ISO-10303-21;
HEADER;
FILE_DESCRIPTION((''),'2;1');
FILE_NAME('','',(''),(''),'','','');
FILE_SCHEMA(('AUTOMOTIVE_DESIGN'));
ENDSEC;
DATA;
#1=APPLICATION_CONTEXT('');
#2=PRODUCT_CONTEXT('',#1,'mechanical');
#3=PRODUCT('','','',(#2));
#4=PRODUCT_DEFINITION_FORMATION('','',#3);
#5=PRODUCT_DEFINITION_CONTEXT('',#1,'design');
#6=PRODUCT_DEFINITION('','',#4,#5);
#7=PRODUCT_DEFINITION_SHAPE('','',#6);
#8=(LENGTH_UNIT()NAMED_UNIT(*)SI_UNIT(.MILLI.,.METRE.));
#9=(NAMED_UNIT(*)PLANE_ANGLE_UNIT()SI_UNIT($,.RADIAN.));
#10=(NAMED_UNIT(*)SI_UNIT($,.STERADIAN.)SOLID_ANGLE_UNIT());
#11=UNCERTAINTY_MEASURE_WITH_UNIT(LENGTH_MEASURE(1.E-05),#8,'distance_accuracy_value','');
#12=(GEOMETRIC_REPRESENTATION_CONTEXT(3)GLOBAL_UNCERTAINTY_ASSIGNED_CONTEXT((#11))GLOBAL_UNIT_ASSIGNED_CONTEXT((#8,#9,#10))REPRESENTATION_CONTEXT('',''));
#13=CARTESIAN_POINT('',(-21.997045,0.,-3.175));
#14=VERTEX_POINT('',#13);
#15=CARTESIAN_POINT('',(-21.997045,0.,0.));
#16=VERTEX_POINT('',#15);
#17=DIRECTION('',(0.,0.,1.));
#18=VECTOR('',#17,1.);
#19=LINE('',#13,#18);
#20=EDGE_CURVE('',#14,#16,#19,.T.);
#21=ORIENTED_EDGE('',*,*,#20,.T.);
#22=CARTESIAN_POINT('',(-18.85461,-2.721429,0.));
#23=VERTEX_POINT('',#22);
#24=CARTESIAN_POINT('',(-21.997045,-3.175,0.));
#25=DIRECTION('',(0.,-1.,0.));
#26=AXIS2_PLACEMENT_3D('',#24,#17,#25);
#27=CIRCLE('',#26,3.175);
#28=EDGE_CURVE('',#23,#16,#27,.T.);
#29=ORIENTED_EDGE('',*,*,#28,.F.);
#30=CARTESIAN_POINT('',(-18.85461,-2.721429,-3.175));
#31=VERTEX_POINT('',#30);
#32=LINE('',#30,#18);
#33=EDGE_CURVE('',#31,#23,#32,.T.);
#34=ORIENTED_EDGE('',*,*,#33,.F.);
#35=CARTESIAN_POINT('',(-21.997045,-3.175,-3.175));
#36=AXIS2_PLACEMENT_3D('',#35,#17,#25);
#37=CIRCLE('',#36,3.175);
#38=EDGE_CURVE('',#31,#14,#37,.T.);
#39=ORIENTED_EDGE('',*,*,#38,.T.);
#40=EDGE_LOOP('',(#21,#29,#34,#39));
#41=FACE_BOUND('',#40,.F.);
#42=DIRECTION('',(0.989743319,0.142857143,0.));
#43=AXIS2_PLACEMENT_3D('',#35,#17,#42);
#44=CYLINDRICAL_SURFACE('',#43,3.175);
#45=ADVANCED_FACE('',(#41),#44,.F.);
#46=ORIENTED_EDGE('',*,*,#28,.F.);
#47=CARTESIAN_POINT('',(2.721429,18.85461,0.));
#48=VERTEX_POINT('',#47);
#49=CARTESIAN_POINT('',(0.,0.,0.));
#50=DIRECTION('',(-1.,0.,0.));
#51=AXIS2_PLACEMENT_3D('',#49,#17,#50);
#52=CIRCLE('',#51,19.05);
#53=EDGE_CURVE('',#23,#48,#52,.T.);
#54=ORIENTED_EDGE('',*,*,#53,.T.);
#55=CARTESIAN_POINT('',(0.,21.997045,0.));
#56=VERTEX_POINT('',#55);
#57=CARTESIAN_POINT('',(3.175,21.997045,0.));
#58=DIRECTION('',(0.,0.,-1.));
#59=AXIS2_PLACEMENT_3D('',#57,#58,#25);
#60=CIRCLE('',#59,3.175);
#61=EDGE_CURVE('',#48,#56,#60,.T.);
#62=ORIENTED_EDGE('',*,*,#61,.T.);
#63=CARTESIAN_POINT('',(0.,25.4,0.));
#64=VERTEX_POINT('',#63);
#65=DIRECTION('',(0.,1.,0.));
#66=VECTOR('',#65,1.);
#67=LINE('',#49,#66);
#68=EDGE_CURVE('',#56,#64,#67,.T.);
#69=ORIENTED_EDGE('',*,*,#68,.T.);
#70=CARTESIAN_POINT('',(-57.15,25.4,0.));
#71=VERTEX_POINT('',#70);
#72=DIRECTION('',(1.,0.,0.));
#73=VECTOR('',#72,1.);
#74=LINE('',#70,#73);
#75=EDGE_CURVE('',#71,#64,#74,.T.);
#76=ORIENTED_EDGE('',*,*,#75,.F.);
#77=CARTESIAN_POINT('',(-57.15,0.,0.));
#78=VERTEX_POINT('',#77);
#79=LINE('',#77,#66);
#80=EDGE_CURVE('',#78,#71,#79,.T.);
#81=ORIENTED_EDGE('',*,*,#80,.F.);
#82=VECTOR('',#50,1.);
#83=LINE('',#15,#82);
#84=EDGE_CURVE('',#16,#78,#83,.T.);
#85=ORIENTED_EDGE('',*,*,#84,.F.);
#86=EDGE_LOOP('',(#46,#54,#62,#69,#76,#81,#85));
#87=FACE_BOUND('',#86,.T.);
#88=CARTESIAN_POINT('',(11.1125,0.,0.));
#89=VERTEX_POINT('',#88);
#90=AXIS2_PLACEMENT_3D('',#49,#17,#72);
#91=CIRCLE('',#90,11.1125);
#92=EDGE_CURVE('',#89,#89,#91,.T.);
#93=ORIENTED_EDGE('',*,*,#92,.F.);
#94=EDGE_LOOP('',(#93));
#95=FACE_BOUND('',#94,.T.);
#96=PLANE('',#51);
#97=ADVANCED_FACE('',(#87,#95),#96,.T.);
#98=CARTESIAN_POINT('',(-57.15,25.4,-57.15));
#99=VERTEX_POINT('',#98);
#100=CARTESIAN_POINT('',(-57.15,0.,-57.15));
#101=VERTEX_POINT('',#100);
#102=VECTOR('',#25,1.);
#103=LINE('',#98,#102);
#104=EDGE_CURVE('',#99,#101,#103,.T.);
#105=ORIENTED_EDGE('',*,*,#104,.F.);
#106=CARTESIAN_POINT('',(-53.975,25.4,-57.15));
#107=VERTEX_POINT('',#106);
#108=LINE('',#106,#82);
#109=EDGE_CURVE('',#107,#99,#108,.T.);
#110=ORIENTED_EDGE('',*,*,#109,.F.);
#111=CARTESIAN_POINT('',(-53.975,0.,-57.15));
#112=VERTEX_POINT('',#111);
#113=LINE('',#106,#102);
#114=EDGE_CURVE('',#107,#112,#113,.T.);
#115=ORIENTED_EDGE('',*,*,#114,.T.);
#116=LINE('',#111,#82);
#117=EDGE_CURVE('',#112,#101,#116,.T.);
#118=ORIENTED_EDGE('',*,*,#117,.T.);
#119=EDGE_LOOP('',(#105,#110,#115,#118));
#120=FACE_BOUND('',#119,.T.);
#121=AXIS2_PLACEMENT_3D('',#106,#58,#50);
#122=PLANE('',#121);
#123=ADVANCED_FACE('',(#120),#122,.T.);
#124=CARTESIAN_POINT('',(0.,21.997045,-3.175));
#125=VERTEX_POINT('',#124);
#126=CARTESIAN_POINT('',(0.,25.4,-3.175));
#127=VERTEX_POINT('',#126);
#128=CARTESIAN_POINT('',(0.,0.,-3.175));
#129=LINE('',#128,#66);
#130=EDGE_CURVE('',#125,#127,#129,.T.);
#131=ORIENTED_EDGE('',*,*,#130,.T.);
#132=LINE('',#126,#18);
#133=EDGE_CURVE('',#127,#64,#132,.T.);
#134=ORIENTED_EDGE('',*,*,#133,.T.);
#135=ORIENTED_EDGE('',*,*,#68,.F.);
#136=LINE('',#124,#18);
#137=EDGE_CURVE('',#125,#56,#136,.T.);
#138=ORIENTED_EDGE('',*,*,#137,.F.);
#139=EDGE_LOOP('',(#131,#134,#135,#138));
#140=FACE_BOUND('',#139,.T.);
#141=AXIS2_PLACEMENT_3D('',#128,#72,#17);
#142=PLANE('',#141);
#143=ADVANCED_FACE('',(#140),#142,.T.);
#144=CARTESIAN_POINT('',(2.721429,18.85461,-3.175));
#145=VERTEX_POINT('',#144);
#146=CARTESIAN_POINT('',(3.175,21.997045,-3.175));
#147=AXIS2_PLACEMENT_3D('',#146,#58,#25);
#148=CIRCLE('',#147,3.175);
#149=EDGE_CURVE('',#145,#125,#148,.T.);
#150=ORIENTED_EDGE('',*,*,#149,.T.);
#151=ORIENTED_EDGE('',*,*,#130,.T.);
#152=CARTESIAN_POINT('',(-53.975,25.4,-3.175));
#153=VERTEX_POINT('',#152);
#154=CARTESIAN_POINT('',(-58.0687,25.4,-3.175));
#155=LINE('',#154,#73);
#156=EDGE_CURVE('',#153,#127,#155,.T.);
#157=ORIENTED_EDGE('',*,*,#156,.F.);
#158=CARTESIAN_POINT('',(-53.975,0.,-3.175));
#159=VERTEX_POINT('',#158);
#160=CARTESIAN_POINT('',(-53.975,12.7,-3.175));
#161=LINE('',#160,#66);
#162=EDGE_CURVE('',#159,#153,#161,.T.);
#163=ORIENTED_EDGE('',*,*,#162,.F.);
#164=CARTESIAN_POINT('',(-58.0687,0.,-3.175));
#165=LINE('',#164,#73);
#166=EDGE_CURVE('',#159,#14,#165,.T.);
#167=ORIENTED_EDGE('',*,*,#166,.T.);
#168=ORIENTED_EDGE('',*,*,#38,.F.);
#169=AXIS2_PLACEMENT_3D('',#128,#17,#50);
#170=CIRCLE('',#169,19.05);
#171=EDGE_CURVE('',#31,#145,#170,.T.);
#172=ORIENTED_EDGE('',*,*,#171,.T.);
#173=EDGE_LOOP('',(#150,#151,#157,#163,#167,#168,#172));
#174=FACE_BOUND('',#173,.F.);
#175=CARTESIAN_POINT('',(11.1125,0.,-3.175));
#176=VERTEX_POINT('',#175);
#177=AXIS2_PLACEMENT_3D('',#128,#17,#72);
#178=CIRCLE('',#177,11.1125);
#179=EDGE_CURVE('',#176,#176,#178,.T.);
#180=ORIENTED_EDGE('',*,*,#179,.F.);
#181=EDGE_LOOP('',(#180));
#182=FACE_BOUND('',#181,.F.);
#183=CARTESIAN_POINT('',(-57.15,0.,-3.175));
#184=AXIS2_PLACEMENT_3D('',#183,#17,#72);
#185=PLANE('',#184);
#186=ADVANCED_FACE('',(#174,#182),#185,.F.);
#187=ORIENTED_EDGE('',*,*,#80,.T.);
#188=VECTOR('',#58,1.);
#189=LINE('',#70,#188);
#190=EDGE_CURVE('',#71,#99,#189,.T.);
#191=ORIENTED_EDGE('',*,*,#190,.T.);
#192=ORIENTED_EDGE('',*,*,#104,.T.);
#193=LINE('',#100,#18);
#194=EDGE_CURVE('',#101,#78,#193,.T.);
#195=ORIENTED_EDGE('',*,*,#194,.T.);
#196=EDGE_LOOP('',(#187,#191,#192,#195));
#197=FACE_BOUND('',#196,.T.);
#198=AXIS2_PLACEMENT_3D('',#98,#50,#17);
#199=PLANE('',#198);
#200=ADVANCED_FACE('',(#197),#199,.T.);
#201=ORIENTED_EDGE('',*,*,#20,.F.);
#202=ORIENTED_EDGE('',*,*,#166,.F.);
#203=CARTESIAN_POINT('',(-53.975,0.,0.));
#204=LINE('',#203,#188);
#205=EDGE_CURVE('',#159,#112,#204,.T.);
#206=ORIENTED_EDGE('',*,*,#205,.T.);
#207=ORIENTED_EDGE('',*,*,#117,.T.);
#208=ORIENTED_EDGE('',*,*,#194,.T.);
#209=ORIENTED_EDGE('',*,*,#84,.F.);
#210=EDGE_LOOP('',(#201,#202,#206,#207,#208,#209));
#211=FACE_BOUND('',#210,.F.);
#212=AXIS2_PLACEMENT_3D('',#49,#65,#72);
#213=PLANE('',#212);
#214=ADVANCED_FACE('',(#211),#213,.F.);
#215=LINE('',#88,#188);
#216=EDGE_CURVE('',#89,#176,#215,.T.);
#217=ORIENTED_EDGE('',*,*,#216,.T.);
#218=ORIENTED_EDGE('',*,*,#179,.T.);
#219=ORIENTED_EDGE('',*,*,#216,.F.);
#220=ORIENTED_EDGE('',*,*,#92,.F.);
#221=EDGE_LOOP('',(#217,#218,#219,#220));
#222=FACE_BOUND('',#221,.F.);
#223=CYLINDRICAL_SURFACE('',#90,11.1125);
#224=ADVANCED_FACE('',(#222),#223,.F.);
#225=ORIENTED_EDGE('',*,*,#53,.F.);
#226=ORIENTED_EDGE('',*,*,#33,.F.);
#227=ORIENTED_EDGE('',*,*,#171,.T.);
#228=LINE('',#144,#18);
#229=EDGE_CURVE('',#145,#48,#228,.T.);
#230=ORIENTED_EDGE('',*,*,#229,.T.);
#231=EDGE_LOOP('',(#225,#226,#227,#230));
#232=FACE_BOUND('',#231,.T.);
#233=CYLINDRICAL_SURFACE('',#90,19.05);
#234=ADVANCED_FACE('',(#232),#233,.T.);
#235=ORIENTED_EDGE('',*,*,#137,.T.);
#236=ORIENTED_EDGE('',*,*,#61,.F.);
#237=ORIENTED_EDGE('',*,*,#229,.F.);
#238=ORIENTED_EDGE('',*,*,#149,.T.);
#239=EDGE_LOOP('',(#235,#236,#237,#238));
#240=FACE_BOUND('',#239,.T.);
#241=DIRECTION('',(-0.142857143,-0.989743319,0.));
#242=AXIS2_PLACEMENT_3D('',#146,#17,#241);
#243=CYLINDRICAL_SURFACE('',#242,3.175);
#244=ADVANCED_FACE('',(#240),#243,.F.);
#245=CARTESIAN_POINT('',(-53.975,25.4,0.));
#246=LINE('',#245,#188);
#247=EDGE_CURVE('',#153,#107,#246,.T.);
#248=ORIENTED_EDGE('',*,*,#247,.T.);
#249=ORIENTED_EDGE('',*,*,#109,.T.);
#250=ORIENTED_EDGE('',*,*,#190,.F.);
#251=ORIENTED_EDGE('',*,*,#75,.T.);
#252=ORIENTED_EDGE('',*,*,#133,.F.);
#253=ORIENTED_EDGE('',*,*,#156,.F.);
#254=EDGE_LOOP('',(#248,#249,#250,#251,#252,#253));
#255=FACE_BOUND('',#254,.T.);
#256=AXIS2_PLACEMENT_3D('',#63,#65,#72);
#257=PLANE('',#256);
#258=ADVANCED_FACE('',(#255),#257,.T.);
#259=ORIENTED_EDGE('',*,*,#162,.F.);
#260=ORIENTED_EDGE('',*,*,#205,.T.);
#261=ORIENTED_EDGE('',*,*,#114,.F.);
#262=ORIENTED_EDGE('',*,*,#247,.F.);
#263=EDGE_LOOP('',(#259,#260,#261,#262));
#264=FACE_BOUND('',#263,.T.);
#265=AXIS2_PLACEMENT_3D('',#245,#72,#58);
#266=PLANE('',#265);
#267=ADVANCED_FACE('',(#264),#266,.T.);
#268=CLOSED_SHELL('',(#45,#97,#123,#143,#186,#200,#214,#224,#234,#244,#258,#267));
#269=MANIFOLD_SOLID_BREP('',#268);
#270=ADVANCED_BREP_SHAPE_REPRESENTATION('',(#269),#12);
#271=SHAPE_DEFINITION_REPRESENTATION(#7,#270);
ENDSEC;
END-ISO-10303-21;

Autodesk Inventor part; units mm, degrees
ref_plane "YZ Plane" through (0, 0, 0) normal (1, 0, 0) x (0, 1, 0)
ref_plane "XZ Plane" through (0, 0, 0) normal (0, 1, 0) x (-1, 0, 0)
ref_plane "XY Plane" through (0, 0, 0) normal (0, 0, 1) x (1, 0, 0)
sketch "Sketch1" plane through (0, 0, 0) normal (0, 1, 0) x (-1, 0, 0)
  line L0 (0, 0) -> (57.15, 0)
  line L1 (112.534, 31.2241) -> (58.0687, -3.175)
  line L2 (58.0687, -3.175) -> (0, -3.175)
  line L3 (0, -3.175) -> (0, 0)
  line L4 (110.8385, 33.9086) -> (112.534, 31.2241)
  line L5 (57.15, 0) -> (110.8385, 33.9086)
  dimension "d0" = 3.175
  dimension "d1" = 3.175
  dimension "d3" = 57.15
  dimension "d4" = 63.5
  dimension "d5" = 147.724
extrude "Extrusion1" add sketch "Sketch1" along normal blind 25.4
sketch "Sketch4" plane through (-57.15, 0, 0) normal (0, 0, 1) x (1, 0, 0)
  circle A0 centre (57.15, 0) radius 19.05
  dimension "d15" = 38.1
extrude "Extrusion4" add sketch "Sketch4" against normal blind 3.175
sketch "Sketch5" plane through (-57.15, 25.4, 0) normal (0, 0, 1) x (1, 0, 0)
  circle A0 centre (57.15, -25.4) radius 11.1125
  dimension "d18" = 22.225
extrude "Extrusion5" cut sketch "Sketch5" against normal blind 3.175
fillet "Fillet2" radius 3.175 2 edges at (0, 19.05, -1.5875) (-19.05, 0, -1.5875)
sketch "Sketch6" plane through (0, 25.4, 0) normal (0, 1, 0) x (1, 0, 0)
  line L0 (-57.15, 0) -> (0, 0) projected
  line L1 (0, 0) -> (-57.15, 0)
  line L2 (-135.8522, 42.4181) -> (-57.15, 42.4181)
  line L3 (-57.15, 42.4181) -> (-57.15, -51.2232)
  line L4 (-57.15, -51.2232) -> (-135.8522, -51.2232)
  line L5 (-135.8522, -51.2232) -> (-135.8522, 42.4181)
  dimension "d22" = 57.15
extrude "Extrusion6" cut sketch "Sketch6" against normal blind 61.9125
sketch "Sketch7" plane through (0, 25.4, 0) normal (0, 1, 0) x (1, 0, 0)
  line L0 (-57.15, 0) -> (0, 0) projected
  line L1 (0, 0) -> (-57.15, 0)
  line L2 (-57.15, 0) -> (-53.975, 0)
  line L3 (-53.975, 0) -> (-53.975, 57.15)
  line L4 (-53.975, 57.15) -> (-57.15, 57.15)
  line L5 (-57.15, 57.15) -> (-57.15, 0)
  dimension "d25" = 57.15
  dimension "d26" = 3.175
  dimension "d27" = 57.15
extrude "Extrusion7" add sketch "Sketch7" against normal up to surface (25.4 mm away)
properties part number "Pivot Bracket Other Side"
